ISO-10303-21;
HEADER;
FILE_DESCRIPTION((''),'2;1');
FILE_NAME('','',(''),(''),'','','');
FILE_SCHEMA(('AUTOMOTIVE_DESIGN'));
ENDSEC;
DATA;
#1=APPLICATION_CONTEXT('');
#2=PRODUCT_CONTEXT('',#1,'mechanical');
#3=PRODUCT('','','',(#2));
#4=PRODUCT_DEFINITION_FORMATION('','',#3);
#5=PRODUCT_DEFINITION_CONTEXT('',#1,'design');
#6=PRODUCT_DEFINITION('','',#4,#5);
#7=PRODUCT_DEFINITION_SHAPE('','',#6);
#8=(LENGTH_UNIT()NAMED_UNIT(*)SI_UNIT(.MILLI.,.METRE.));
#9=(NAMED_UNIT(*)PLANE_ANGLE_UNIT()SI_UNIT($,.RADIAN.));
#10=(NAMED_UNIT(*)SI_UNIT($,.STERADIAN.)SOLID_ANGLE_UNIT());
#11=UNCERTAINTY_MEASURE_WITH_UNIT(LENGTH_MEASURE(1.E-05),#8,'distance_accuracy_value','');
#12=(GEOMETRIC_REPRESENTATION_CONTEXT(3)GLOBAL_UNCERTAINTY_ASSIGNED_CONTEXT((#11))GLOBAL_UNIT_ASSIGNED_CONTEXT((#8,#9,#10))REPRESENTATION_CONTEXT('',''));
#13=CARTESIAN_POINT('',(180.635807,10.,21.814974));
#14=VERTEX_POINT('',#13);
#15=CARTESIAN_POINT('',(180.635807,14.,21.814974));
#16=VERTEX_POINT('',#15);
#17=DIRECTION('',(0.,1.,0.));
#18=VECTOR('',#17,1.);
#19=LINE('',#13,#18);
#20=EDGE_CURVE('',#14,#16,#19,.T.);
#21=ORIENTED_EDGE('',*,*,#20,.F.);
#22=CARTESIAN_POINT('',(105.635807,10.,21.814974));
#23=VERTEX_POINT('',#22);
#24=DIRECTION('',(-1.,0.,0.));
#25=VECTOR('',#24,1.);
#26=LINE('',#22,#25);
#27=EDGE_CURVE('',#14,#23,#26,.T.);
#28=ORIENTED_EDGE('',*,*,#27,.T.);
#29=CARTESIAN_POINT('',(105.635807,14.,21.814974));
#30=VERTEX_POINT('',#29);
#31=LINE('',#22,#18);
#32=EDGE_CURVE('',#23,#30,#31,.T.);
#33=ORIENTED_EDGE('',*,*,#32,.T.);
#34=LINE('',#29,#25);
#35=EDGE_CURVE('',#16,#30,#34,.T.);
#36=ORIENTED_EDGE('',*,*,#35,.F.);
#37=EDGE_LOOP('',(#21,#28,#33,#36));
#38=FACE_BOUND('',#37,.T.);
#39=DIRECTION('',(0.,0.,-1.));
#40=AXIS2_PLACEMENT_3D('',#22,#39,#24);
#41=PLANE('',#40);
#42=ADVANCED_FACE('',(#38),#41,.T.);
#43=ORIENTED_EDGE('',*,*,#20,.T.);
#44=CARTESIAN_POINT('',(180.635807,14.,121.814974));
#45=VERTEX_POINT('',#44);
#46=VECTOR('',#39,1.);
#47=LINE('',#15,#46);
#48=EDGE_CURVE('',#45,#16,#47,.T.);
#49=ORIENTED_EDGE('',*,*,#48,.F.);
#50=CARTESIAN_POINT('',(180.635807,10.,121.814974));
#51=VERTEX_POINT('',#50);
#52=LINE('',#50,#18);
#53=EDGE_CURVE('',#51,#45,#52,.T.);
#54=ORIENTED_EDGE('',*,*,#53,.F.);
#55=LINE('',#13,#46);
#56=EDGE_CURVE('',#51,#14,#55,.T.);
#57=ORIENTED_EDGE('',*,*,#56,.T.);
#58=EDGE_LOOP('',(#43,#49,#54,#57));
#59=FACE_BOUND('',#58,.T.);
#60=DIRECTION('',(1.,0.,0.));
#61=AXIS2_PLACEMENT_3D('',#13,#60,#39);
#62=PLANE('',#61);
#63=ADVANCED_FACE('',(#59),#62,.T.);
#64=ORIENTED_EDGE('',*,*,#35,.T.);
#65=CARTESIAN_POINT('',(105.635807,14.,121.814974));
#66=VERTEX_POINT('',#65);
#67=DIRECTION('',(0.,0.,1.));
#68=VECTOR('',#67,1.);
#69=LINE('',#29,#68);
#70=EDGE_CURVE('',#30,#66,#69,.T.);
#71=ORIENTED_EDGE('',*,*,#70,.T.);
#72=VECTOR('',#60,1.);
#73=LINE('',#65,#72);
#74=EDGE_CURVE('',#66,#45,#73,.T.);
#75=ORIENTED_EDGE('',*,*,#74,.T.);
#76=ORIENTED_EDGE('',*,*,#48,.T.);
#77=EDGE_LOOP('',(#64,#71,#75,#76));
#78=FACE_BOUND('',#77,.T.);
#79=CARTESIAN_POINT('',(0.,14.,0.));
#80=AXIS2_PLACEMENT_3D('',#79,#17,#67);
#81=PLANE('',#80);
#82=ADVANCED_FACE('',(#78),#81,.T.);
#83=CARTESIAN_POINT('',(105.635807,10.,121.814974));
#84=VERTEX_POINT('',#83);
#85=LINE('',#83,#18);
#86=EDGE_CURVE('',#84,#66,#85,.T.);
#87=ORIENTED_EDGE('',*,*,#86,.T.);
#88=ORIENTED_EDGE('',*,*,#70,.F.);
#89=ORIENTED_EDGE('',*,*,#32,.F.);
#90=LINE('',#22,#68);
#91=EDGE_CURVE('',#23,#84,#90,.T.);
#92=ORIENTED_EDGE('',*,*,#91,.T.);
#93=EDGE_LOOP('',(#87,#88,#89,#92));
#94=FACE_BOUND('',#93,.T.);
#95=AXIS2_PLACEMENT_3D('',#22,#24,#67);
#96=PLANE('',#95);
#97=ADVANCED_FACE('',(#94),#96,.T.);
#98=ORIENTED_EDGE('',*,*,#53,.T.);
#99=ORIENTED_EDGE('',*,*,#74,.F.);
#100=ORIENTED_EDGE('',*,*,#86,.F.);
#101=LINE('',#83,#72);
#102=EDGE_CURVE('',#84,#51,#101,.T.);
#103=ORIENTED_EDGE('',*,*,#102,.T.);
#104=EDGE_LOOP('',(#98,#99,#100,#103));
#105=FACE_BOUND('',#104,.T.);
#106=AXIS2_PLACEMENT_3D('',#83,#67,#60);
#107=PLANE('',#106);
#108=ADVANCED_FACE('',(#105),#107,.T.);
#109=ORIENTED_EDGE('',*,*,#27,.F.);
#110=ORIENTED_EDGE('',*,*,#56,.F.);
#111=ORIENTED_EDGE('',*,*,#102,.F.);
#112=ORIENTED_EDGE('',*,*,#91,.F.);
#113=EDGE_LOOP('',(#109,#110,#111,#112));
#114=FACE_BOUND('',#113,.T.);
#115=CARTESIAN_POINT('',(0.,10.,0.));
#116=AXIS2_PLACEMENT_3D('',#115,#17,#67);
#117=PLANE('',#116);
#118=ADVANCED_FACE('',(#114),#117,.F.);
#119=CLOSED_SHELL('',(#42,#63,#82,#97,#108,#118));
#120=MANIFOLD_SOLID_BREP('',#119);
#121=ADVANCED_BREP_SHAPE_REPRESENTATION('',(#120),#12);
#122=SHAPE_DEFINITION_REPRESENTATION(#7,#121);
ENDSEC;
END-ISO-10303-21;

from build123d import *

# Parameters (mm, degrees)
EXTRUDE_2_DEPTH = 4


with BuildPart() as part:
    # Sketch 1 → Бобышка-Вытянуть2 (new body)
    with BuildSketch(Plane(origin=(105.635806819, 10, 21.814974173), x_dir=(0.6000000000000002, 0, 0.7999999999999999), z_dir=(0, 1, 0))):
        Polygon((0, 0), (45, 60), (125, 0), (80, -60), align=None)
    extrude(amount=EXTRUDE_2_DEPTH)


solid = part.part
